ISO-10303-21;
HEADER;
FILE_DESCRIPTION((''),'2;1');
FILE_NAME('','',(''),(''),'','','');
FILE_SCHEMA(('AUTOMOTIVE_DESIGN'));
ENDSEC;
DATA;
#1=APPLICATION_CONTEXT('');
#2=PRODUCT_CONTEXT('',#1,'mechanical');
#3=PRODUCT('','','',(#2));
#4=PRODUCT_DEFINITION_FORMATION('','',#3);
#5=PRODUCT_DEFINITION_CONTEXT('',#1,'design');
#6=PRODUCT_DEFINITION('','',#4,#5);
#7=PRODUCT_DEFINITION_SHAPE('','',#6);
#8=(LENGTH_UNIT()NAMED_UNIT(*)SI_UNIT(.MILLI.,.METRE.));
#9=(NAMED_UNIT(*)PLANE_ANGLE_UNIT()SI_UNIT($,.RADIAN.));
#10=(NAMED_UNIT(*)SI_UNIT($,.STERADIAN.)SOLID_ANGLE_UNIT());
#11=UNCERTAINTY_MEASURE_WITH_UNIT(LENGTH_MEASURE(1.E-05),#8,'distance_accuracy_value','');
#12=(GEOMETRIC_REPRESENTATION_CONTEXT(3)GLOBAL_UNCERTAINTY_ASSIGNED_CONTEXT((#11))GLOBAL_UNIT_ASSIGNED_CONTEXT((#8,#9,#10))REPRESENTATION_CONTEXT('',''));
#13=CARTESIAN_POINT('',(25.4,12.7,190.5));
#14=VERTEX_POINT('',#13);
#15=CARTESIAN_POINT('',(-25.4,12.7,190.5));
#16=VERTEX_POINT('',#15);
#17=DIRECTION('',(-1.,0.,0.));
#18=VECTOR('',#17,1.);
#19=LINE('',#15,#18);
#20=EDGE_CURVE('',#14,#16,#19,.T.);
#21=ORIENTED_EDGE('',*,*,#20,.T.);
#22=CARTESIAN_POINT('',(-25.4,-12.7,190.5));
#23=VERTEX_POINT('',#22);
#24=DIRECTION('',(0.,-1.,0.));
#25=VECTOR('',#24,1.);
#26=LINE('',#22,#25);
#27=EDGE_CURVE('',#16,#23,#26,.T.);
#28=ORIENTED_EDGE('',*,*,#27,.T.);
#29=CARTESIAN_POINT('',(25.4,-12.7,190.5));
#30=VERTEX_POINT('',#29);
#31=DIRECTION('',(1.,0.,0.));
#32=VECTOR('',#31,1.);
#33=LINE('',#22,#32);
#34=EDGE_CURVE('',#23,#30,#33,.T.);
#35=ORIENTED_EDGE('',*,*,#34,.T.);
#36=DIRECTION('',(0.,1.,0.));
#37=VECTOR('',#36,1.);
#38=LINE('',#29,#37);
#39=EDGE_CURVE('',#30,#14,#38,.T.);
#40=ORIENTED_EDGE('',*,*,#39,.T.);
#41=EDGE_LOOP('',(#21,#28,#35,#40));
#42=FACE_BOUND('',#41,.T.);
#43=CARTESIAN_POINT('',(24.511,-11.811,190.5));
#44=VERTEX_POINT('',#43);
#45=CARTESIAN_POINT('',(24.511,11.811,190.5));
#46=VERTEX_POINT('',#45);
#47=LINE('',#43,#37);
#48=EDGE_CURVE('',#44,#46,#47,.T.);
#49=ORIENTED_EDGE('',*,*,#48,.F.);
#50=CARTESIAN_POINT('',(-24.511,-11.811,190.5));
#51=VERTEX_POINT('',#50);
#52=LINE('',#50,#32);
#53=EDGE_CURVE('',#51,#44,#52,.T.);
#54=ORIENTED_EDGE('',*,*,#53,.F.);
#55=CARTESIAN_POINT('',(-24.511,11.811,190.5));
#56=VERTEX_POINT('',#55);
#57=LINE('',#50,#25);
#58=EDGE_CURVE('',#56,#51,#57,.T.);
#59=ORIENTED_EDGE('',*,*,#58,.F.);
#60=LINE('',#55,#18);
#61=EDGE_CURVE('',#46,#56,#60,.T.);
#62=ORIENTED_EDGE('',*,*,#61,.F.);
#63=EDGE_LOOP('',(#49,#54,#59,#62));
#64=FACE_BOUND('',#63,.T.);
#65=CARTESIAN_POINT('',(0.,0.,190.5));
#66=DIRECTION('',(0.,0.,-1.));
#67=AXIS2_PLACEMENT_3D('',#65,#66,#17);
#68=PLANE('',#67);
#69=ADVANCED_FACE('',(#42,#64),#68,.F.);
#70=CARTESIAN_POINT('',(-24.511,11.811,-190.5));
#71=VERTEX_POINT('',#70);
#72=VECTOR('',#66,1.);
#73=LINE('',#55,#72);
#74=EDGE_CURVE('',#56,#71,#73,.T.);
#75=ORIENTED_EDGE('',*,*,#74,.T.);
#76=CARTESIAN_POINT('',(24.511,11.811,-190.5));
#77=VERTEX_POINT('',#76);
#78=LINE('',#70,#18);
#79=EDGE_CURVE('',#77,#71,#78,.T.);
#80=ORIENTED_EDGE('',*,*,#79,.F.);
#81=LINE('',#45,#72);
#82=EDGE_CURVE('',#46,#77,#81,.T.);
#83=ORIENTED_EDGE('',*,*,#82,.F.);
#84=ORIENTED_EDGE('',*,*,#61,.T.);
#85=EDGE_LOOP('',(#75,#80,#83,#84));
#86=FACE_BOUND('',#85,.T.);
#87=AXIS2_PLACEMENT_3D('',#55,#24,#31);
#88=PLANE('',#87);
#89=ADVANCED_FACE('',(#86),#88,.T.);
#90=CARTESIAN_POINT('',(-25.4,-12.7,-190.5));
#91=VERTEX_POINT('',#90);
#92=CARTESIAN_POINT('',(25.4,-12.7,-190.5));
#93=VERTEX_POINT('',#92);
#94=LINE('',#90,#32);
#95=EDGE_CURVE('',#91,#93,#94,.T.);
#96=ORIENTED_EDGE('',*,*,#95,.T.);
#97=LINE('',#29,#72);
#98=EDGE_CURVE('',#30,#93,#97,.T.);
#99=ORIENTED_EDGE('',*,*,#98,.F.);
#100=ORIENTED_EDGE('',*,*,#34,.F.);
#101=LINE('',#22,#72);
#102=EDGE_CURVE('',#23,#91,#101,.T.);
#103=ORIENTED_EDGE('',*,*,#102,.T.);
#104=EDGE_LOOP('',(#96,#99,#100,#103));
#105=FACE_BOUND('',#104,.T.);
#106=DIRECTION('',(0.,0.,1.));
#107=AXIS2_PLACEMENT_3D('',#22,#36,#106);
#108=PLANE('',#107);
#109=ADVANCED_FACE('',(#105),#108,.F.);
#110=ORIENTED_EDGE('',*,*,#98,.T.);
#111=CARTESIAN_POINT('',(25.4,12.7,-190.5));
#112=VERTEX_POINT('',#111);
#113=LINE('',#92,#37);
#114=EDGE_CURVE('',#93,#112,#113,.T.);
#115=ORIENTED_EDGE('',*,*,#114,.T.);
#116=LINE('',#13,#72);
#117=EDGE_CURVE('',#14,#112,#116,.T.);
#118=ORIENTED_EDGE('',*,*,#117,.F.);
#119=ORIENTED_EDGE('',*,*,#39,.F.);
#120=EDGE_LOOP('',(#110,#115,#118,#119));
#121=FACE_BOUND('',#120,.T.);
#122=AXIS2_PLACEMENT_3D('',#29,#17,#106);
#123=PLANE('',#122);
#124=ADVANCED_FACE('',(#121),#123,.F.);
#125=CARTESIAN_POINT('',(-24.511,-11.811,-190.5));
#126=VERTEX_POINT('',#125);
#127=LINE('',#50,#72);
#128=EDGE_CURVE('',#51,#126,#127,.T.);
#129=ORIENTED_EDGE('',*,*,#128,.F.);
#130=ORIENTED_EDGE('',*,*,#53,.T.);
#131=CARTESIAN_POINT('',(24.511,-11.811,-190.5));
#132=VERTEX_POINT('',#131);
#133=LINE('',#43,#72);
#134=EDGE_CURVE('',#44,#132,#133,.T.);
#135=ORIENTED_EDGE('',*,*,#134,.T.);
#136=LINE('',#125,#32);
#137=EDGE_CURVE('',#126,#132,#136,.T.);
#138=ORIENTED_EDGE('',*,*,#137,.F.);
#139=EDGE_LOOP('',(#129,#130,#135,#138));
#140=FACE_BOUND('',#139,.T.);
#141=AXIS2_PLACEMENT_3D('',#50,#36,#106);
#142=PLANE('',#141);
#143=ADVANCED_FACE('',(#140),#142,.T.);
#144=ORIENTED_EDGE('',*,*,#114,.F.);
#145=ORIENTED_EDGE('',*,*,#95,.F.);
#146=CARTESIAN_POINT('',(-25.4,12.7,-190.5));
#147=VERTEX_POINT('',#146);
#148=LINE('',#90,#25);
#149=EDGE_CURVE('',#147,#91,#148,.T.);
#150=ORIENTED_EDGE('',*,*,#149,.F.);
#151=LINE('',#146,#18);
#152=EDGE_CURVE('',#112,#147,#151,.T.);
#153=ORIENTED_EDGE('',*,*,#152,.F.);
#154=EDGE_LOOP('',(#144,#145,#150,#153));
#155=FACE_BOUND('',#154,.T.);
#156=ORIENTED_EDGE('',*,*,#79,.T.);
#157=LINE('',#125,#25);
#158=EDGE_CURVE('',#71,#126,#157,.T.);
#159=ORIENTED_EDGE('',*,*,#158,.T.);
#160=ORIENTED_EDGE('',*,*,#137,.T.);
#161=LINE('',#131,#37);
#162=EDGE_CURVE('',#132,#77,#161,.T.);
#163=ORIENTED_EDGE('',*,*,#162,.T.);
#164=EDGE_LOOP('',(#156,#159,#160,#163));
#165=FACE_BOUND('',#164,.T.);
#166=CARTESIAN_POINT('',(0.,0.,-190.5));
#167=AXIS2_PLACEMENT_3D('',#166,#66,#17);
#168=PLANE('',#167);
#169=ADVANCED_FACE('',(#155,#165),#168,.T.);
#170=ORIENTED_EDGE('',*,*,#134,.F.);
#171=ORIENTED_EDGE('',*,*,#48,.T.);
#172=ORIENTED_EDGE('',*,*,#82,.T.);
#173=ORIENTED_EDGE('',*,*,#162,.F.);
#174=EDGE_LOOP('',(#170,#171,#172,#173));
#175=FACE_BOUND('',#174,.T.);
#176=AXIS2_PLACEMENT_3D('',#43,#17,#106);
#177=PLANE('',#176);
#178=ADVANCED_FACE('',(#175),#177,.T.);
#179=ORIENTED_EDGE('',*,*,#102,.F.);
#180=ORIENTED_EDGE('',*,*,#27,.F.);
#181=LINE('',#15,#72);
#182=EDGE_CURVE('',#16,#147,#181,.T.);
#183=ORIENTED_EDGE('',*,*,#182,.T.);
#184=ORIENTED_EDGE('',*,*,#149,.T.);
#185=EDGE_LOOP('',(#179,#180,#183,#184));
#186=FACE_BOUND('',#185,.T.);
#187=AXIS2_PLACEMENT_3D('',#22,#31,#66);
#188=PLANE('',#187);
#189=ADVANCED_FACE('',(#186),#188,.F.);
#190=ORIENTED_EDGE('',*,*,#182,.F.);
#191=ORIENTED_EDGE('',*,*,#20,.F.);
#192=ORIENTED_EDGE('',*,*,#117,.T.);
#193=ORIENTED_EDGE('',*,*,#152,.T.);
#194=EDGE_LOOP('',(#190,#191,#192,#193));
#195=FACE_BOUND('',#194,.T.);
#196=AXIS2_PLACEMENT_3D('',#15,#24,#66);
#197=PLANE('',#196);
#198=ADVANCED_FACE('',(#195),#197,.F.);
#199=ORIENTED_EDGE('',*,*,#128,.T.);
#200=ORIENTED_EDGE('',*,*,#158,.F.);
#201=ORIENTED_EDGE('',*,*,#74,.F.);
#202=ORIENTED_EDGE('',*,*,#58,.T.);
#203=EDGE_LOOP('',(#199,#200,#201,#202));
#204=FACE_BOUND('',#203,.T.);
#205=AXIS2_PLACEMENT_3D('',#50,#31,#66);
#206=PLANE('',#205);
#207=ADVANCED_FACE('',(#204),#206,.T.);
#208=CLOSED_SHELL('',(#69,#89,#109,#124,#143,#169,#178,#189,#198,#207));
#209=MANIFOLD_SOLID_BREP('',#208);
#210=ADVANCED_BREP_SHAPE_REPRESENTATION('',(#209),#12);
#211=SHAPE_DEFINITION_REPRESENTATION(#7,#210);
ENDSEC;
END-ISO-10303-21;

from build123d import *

# Parameters (mm, degrees)
SKETCH1_W           = 50.8
SKETCH1_H           = 25.4
SKETCH1_W_2         = 49.022
SKETCH1_H_2         = 23.622
BOSS_EXTRUDE1_DEPTH = 190.5


with BuildPart() as part:
    # Sketch1 → Boss-Extrude1 (new, symmetric)
    with BuildSketch(Plane.XY):
        Rectangle(SKETCH1_W, SKETCH1_H)
        Rectangle(SKETCH1_W_2, SKETCH1_H_2, mode=Mode.SUBTRACT)
    extrude(amount=BOSS_EXTRUDE1_DEPTH, both=True)


solid = part.part
